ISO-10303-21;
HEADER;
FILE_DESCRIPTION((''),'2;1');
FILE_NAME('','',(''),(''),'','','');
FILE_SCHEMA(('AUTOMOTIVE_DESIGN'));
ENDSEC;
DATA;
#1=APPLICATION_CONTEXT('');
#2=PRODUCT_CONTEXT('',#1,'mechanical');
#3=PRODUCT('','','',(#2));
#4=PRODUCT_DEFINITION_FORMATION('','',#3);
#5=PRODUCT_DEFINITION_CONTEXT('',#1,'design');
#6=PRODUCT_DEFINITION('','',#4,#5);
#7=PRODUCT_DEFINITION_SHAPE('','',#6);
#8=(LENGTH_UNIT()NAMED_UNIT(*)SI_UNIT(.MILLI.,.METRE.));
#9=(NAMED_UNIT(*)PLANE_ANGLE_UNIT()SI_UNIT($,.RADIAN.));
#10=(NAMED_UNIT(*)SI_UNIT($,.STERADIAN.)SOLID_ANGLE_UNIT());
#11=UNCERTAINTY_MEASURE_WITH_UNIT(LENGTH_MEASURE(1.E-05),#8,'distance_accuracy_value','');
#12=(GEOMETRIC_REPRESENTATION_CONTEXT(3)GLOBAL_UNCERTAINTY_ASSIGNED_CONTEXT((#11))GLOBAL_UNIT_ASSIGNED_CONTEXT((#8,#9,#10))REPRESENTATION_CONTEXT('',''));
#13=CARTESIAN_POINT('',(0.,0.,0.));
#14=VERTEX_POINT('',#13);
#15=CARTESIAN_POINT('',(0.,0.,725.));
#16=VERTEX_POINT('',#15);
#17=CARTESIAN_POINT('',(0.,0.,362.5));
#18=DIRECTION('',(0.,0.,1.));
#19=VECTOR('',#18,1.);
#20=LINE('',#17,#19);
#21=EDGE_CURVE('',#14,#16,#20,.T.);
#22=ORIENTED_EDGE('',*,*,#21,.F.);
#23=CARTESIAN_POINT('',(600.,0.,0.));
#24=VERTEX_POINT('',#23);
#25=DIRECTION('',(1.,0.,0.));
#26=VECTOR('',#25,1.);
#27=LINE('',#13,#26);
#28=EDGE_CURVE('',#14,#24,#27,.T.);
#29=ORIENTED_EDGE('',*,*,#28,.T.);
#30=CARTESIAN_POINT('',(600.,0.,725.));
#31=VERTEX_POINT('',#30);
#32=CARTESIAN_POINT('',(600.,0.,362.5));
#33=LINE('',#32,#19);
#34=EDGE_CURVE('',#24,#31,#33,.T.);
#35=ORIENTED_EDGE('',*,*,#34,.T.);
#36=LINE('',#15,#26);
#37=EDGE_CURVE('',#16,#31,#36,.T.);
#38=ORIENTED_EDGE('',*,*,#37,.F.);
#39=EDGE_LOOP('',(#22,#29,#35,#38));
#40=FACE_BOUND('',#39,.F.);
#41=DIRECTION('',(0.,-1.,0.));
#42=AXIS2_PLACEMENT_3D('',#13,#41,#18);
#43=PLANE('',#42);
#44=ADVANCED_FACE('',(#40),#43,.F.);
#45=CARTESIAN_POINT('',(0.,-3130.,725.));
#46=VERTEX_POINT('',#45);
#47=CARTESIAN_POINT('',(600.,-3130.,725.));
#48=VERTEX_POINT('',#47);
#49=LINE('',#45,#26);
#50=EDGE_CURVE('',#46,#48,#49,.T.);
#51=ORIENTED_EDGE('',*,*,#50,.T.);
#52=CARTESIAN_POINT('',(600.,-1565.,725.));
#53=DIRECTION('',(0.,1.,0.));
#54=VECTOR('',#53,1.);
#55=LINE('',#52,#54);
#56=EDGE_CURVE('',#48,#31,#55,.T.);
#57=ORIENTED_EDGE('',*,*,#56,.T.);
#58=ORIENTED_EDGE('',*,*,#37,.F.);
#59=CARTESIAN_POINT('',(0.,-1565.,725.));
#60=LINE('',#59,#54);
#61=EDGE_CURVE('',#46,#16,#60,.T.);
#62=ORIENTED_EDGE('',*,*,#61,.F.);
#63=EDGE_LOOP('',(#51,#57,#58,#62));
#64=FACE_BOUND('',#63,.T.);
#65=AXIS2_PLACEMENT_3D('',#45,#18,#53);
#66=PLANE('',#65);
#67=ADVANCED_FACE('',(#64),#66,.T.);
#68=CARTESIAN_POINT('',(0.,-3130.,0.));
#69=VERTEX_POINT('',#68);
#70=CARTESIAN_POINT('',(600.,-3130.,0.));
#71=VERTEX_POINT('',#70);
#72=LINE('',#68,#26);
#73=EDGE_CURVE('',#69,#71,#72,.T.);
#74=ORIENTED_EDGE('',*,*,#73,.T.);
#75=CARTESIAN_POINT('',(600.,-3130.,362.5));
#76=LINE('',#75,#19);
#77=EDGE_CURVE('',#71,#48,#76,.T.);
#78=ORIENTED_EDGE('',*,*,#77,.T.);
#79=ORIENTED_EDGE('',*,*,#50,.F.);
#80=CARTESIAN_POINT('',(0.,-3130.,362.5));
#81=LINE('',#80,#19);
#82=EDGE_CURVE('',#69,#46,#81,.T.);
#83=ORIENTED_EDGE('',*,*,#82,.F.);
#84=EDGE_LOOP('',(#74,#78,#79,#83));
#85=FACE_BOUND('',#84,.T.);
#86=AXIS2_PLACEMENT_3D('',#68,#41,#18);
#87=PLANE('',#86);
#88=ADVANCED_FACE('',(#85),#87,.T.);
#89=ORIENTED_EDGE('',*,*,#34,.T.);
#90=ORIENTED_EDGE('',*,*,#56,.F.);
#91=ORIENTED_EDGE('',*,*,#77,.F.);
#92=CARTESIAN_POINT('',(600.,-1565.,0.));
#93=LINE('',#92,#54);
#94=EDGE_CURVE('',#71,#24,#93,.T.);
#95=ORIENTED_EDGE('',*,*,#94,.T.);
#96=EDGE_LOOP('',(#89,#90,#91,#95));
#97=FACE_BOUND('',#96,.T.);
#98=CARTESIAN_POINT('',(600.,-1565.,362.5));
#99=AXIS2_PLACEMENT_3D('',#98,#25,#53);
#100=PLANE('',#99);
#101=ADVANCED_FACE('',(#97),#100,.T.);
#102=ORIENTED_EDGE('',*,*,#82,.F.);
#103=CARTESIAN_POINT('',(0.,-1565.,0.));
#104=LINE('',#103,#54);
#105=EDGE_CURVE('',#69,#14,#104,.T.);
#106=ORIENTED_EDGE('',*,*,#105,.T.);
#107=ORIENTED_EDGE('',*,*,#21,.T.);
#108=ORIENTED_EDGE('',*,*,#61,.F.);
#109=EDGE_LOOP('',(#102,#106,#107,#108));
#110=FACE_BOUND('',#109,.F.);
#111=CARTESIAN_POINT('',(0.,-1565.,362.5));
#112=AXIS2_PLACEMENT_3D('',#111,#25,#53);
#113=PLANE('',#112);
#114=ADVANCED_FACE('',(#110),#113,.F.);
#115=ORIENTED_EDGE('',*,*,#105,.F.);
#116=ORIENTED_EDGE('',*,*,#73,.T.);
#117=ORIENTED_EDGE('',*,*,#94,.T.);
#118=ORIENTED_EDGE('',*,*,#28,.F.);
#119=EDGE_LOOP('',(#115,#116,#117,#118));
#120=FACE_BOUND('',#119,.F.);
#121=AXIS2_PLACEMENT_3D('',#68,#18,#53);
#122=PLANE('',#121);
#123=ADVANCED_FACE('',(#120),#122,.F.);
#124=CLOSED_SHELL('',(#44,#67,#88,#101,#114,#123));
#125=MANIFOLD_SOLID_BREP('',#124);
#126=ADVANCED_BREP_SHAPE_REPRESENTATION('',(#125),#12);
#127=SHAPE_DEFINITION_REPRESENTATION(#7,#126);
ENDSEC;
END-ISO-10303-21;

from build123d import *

# Parameters (mm, degrees)
SKETCH_W  = 3130
SKETCH_H  = 725
PAD_DEPTH = 600


with BuildPart() as part:
    # Sketch → Pad (new body)
    with BuildSketch(Plane.YZ):
        with Locations((-1565, 362.5)):
            Rectangle(SKETCH_W, SKETCH_H)
    extrude(amount=PAD_DEPTH)


solid = part.part
